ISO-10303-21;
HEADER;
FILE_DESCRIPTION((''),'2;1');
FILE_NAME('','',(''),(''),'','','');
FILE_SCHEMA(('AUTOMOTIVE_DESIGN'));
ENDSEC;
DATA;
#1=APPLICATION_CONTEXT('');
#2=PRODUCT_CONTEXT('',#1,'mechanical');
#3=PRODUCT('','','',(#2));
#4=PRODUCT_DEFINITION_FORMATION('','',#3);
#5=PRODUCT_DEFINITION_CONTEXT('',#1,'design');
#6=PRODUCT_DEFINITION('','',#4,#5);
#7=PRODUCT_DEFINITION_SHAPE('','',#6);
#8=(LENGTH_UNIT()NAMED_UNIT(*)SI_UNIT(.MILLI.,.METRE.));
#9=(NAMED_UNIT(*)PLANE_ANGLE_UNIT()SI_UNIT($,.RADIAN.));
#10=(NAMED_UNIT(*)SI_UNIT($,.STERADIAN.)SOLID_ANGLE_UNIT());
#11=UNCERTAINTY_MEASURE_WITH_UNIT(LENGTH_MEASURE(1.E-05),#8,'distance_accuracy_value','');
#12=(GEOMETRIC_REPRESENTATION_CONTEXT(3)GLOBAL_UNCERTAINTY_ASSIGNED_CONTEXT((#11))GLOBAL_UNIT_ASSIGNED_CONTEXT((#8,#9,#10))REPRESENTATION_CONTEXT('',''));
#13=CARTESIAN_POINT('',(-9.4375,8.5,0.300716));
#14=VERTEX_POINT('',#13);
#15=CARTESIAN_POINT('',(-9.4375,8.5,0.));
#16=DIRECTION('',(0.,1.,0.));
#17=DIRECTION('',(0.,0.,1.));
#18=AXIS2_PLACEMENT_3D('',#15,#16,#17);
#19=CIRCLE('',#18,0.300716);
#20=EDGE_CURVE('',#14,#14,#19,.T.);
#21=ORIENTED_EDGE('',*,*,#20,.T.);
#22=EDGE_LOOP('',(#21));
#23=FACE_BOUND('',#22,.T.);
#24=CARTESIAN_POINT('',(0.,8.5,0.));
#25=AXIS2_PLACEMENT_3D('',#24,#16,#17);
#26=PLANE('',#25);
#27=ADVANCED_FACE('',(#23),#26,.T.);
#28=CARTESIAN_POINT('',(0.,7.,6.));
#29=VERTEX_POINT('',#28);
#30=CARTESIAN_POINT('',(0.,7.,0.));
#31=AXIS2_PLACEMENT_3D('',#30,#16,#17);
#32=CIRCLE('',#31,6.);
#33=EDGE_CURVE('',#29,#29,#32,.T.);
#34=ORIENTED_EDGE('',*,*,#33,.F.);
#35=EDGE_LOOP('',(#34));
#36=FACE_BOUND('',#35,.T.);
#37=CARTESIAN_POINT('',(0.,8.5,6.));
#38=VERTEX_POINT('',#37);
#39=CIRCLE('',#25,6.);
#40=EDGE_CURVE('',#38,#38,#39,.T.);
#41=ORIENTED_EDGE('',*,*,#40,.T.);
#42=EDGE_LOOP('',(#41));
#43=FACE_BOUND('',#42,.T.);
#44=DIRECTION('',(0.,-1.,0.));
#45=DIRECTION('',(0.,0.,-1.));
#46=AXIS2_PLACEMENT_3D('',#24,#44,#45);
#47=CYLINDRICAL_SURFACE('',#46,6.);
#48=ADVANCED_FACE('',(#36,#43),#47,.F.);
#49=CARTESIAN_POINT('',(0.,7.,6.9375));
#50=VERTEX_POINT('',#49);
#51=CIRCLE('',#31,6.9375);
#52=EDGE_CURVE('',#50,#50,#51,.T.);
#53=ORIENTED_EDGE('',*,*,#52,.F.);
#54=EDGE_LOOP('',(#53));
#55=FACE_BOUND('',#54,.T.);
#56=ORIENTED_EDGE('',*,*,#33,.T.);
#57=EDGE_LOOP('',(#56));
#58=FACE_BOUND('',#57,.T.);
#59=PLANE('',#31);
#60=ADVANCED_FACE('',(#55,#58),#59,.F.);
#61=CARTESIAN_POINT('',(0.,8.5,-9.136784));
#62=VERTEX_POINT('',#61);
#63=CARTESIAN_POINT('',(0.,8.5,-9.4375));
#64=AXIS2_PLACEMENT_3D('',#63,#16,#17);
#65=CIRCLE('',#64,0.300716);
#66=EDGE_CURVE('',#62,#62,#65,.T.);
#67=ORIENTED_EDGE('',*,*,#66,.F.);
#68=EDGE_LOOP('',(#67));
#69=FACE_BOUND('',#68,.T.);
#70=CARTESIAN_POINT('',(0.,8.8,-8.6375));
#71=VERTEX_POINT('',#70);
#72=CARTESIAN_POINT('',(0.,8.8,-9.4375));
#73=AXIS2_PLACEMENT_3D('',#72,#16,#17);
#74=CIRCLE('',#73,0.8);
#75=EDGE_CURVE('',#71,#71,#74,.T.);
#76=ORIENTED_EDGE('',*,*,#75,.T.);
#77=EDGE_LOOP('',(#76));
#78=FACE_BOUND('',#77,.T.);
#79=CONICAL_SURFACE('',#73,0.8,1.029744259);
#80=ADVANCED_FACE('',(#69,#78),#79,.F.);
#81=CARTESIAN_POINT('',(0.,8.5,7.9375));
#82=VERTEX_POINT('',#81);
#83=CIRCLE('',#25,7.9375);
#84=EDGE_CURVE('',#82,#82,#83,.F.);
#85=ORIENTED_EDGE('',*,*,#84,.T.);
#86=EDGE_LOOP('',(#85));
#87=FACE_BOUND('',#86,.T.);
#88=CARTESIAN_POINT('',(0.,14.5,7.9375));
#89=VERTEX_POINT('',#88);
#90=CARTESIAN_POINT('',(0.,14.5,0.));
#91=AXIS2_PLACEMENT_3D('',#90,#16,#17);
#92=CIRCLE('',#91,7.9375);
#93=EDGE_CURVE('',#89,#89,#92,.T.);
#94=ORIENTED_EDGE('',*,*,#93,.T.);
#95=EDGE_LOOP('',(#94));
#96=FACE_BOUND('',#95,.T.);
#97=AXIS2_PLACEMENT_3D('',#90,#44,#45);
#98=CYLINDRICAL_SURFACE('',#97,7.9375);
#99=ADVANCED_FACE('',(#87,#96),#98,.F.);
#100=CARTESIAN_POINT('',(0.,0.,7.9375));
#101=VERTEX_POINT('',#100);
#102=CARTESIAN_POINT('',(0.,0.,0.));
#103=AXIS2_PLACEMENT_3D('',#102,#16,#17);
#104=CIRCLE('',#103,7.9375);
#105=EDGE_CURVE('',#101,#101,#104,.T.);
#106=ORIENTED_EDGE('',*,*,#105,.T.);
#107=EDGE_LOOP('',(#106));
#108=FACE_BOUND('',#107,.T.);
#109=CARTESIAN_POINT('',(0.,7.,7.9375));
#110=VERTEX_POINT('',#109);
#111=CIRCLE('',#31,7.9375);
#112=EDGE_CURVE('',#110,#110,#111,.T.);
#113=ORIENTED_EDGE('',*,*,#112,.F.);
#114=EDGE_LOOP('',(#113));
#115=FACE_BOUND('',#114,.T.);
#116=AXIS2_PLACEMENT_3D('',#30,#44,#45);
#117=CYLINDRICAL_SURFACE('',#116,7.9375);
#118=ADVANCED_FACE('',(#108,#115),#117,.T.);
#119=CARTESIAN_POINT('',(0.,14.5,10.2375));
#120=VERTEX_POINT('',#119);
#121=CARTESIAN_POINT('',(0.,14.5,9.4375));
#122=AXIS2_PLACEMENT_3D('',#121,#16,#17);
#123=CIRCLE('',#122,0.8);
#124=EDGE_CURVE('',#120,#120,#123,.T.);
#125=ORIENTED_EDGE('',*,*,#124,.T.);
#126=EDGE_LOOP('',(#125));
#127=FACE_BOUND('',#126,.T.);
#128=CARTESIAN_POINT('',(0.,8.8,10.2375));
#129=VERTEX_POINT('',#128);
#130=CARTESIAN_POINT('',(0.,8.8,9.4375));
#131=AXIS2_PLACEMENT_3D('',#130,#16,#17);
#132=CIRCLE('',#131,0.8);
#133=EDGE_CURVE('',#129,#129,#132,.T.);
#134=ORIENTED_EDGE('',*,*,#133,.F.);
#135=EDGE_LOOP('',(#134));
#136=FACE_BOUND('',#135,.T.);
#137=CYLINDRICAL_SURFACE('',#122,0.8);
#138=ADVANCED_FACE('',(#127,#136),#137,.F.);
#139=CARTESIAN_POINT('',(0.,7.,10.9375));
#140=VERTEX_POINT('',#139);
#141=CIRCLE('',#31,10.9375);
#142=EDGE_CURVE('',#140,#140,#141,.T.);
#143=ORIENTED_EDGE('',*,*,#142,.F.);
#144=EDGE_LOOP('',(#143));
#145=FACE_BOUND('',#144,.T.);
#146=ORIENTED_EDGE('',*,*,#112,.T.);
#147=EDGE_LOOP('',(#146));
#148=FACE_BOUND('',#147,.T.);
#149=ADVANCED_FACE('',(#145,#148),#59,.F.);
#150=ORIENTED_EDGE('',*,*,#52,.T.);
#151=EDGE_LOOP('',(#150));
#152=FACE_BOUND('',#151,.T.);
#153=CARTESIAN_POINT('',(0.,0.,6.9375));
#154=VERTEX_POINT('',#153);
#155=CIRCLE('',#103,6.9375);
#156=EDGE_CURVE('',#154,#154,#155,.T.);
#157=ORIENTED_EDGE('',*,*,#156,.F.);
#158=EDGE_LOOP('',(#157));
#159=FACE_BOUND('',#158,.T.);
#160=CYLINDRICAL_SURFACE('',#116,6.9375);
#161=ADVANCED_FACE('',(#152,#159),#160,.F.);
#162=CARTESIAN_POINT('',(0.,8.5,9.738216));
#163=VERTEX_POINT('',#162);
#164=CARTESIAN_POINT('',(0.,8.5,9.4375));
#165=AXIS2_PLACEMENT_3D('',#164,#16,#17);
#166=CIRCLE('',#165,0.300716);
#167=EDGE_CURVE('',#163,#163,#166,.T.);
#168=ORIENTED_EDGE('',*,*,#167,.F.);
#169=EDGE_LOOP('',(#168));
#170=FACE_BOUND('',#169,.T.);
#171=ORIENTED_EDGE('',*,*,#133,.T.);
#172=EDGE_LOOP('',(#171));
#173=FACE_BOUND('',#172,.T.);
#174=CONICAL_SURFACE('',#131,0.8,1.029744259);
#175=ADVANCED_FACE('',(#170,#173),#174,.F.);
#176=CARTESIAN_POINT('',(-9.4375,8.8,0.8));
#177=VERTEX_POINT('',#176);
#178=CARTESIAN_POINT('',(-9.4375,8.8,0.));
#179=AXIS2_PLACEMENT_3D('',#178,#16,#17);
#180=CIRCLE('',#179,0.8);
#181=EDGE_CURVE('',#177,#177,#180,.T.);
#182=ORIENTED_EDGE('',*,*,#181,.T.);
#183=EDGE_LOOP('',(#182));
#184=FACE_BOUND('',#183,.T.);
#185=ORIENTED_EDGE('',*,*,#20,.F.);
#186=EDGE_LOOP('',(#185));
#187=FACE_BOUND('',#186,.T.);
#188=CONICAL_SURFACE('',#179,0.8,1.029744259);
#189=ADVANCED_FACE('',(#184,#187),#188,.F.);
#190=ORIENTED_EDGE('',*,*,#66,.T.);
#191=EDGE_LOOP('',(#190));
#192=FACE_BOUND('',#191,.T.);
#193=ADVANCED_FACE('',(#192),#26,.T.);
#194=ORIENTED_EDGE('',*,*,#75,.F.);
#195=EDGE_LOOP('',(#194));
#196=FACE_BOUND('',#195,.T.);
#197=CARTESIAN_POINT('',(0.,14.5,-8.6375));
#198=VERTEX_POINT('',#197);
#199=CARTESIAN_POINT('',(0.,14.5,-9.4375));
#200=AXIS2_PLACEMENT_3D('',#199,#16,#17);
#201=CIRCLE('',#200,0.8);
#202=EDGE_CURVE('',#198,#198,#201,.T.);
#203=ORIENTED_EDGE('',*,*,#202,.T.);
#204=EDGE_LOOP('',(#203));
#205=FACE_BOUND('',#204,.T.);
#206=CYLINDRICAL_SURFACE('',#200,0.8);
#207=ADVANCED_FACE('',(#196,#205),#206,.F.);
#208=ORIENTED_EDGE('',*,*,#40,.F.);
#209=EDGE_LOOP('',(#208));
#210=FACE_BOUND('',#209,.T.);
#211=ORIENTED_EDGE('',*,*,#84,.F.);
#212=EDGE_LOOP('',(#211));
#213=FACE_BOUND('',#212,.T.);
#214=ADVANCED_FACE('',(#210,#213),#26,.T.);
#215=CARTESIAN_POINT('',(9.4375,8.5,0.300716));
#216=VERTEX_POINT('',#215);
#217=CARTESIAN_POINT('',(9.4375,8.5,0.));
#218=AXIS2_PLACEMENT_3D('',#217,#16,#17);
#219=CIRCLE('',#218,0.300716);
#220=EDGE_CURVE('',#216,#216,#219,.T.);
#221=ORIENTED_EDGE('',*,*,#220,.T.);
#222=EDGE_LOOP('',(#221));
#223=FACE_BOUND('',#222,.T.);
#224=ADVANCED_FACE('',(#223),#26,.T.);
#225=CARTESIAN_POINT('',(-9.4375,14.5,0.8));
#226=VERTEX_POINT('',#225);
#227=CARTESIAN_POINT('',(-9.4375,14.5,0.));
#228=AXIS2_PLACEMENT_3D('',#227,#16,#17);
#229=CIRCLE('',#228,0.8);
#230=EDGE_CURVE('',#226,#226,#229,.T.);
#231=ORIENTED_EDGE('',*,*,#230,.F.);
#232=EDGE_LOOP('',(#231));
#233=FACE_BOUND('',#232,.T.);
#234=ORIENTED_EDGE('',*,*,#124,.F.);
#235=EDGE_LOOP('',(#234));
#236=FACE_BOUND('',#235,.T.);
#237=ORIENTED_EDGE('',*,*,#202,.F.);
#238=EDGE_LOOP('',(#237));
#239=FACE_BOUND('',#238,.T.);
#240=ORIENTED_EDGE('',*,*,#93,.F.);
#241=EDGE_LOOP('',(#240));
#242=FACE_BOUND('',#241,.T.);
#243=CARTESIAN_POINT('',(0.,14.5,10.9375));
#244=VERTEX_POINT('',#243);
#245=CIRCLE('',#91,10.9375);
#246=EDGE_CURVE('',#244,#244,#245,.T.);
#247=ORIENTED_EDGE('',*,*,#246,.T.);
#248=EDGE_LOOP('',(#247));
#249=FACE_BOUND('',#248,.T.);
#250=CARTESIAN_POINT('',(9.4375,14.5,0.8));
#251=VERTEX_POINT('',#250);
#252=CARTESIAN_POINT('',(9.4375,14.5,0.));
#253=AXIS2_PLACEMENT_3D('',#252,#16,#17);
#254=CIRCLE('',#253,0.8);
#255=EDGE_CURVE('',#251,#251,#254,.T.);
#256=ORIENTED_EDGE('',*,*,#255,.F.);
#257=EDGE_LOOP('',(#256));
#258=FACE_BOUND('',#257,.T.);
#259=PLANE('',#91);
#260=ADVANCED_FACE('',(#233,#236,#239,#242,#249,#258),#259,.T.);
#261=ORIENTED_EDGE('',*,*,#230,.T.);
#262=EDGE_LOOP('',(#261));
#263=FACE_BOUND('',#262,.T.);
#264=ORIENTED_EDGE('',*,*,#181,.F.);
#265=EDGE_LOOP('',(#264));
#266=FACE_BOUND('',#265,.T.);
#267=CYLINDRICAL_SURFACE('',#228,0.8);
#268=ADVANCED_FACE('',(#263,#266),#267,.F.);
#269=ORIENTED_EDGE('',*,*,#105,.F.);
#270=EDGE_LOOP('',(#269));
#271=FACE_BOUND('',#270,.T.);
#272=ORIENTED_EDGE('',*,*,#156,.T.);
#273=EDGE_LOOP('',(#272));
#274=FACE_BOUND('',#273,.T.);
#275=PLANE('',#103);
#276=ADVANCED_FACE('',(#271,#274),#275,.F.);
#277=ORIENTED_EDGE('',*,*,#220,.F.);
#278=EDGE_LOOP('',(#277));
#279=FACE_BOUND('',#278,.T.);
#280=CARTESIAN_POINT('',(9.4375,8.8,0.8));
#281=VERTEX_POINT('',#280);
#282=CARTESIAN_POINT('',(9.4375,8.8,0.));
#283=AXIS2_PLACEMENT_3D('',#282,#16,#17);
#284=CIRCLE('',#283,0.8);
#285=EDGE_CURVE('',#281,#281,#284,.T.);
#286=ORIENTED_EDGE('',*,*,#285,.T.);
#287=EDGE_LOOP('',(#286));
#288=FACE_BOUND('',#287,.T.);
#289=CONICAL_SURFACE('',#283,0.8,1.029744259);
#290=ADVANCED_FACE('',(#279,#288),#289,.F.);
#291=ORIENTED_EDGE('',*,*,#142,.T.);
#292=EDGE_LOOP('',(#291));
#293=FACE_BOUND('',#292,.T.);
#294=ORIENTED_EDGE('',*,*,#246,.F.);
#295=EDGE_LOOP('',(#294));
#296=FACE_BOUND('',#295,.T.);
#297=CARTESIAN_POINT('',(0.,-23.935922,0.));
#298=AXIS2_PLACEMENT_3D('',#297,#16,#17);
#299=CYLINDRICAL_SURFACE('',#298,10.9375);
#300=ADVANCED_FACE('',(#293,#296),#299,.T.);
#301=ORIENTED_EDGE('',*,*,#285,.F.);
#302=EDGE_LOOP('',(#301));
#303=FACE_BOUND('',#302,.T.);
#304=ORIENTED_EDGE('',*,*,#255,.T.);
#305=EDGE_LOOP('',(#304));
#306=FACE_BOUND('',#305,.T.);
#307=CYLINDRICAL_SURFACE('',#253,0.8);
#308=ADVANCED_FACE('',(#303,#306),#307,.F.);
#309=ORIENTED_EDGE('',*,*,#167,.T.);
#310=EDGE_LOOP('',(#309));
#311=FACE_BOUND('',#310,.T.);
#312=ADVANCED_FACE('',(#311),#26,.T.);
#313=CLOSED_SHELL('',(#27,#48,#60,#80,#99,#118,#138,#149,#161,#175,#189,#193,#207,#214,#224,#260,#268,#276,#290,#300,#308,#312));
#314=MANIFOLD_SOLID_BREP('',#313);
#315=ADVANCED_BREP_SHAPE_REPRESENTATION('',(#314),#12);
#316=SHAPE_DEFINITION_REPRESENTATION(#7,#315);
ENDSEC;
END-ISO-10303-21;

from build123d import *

# Parameters (mm, degrees)
SKETCH1_R                      = 7.9375
SKETCH1_R_2                    = 6.9375
BOSS_EXTRUDE1_DEPTH            = 7
SKETCH2_R                      = 7.9375
SKETCH2_R_2                    = 6
BOSS_EXTRUDE2_DEPTH            = 1.5
SKETCH3_R                      = 10.9375
SKETCH3_R_2                    = 7.9375
BOSS_EXTRUDE3_DEPTH            = 6
M2X0_4_TAPPED_HOLE1_AT_2_COUNT = 2
M2X0_4_TAPPED_HOLE1_AT_2_PITCH = 13.346640495
M2X0_4_TAPPED_HOLE1_AT_3_COUNT = 2
M2X0_4_TAPPED_HOLE1_AT_3_PITCH = 18.875
M2X0_4_TAPPED_HOLE1_AT_4_COUNT = 2
M2X0_4_TAPPED_HOLE1_AT_4_PITCH = 13.346640495
BOSS_EXTRUDE4_START            = 1.5
SKETCH7_R                      = 10.9375
SKETCH7_R_2                    = 6.9375
BOSS_EXTRUDE4_DEPTH            = 1.5


with BuildPart() as part:
    # Sketch1 → Boss-Extrude1 (new body)
    with BuildSketch(Plane(origin=(0, 0, 0), x_dir=(1, 0, 0), z_dir=(0, 1, 0))):
        with Locations(Location((0, 0, 0), (0, 0, 270))):
            Circle(SKETCH1_R)
        with Locations(Location((0, 0, 0), (0, 0, 270))):
            Circle(SKETCH1_R_2, mode=Mode.SUBTRACT)
    extrude(amount=BOSS_EXTRUDE1_DEPTH)

    # Sketch2 → Boss-Extrude2 (add)
    with BuildSketch(Plane(origin=(0, 7, 0), x_dir=(1, 0, 0), z_dir=(0, 1, 0))):
        with Locations(Location((0, 0, 0), (0, 0, 270))):
            Circle(SKETCH2_R)
        with Locations(Location((0, 0, 0), (0, 0, 270))):
            Circle(SKETCH2_R_2, mode=Mode.SUBTRACT)
    extrude(amount=BOSS_EXTRUDE2_DEPTH)



with BuildPart() as body_2:
    # Sketch3 → Boss-Extrude3 (new body)
    with BuildSketch(Plane(origin=(0, 8.5, 0), x_dir=(1, 0, 0), z_dir=(0, 1, 0))):
        with Locations(Location((0, 0, 0), (0, 0, 270))):
            Circle(SKETCH3_R)
        with Locations(Location((0, 0, 0), (0, 0, 270))):
            Circle(SKETCH3_R_2, mode=Mode.SUBTRACT)
    extrude(amount=BOSS_EXTRUDE3_DEPTH)

    # Sketch5 → M2x0.4 Tapped Hole1 (revolve, cut)
    with BuildSketch(Plane(origin=(0, 14.5, -9.4375), x_dir=(0, 0, 1), z_dir=(1, 0, 0))):
        Polygon((0, 0), (0, 6.180688495), (0.8, 5.7), (0.8, 0), align=None)
    m2x0_4_tapped_hole1 = revolve(axis=Axis((0, 20.85, -9.4375), (0, -1, 0)), mode=Mode.SUBTRACT)

    # M2x0.4 Tapped Hole1 at 2: M2x0.4 Tapped Hole1 ×2
    with Locations(*[Vector(0.7071067811865476, 0, 0.7071067811865476) * (i * M2X0_4_TAPPED_HOLE1_AT_2_PITCH) for i in range(1, M2X0_4_TAPPED_HOLE1_AT_2_COUNT)]):
        add(m2x0_4_tapped_hole1, mode=Mode.SUBTRACT)

    # M2x0.4 Tapped Hole1 at 3: M2x0.4 Tapped Hole1 ×2
    with Locations(*[(0, 0, i * M2X0_4_TAPPED_HOLE1_AT_3_PITCH) for i in range(1, M2X0_4_TAPPED_HOLE1_AT_3_COUNT)]):
        add(m2x0_4_tapped_hole1, mode=Mode.SUBTRACT)

    # M2x0.4 Tapped Hole1 at 4: M2x0.4 Tapped Hole1 ×2
    with Locations(*[Vector(-0.7071067811865476, 0, 0.7071067811865476) * (i * M2X0_4_TAPPED_HOLE1_AT_4_PITCH) for i in range(1, M2X0_4_TAPPED_HOLE1_AT_4_COUNT)]):
        add(m2x0_4_tapped_hole1, mode=Mode.SUBTRACT)


with BuildPart() as part_1:
    add(part.part)

    add(body_2.part)  # Boss-Extrude4 merges body 2
    # Sketch7 → Boss-Extrude4 (add)
    with BuildSketch(Plane.XZ.offset(-8.5).offset(BOSS_EXTRUDE4_START)):
        with Locations(Location((0, 0, 0), (0, 0, 90))):
            Circle(SKETCH7_R)
        with Locations(Location((0, 0, 0), (0, 0, 90))):
            Circle(SKETCH7_R_2, mode=Mode.SUBTRACT)
    extrude(amount=-BOSS_EXTRUDE4_DEPTH)


solid = part_1.part
